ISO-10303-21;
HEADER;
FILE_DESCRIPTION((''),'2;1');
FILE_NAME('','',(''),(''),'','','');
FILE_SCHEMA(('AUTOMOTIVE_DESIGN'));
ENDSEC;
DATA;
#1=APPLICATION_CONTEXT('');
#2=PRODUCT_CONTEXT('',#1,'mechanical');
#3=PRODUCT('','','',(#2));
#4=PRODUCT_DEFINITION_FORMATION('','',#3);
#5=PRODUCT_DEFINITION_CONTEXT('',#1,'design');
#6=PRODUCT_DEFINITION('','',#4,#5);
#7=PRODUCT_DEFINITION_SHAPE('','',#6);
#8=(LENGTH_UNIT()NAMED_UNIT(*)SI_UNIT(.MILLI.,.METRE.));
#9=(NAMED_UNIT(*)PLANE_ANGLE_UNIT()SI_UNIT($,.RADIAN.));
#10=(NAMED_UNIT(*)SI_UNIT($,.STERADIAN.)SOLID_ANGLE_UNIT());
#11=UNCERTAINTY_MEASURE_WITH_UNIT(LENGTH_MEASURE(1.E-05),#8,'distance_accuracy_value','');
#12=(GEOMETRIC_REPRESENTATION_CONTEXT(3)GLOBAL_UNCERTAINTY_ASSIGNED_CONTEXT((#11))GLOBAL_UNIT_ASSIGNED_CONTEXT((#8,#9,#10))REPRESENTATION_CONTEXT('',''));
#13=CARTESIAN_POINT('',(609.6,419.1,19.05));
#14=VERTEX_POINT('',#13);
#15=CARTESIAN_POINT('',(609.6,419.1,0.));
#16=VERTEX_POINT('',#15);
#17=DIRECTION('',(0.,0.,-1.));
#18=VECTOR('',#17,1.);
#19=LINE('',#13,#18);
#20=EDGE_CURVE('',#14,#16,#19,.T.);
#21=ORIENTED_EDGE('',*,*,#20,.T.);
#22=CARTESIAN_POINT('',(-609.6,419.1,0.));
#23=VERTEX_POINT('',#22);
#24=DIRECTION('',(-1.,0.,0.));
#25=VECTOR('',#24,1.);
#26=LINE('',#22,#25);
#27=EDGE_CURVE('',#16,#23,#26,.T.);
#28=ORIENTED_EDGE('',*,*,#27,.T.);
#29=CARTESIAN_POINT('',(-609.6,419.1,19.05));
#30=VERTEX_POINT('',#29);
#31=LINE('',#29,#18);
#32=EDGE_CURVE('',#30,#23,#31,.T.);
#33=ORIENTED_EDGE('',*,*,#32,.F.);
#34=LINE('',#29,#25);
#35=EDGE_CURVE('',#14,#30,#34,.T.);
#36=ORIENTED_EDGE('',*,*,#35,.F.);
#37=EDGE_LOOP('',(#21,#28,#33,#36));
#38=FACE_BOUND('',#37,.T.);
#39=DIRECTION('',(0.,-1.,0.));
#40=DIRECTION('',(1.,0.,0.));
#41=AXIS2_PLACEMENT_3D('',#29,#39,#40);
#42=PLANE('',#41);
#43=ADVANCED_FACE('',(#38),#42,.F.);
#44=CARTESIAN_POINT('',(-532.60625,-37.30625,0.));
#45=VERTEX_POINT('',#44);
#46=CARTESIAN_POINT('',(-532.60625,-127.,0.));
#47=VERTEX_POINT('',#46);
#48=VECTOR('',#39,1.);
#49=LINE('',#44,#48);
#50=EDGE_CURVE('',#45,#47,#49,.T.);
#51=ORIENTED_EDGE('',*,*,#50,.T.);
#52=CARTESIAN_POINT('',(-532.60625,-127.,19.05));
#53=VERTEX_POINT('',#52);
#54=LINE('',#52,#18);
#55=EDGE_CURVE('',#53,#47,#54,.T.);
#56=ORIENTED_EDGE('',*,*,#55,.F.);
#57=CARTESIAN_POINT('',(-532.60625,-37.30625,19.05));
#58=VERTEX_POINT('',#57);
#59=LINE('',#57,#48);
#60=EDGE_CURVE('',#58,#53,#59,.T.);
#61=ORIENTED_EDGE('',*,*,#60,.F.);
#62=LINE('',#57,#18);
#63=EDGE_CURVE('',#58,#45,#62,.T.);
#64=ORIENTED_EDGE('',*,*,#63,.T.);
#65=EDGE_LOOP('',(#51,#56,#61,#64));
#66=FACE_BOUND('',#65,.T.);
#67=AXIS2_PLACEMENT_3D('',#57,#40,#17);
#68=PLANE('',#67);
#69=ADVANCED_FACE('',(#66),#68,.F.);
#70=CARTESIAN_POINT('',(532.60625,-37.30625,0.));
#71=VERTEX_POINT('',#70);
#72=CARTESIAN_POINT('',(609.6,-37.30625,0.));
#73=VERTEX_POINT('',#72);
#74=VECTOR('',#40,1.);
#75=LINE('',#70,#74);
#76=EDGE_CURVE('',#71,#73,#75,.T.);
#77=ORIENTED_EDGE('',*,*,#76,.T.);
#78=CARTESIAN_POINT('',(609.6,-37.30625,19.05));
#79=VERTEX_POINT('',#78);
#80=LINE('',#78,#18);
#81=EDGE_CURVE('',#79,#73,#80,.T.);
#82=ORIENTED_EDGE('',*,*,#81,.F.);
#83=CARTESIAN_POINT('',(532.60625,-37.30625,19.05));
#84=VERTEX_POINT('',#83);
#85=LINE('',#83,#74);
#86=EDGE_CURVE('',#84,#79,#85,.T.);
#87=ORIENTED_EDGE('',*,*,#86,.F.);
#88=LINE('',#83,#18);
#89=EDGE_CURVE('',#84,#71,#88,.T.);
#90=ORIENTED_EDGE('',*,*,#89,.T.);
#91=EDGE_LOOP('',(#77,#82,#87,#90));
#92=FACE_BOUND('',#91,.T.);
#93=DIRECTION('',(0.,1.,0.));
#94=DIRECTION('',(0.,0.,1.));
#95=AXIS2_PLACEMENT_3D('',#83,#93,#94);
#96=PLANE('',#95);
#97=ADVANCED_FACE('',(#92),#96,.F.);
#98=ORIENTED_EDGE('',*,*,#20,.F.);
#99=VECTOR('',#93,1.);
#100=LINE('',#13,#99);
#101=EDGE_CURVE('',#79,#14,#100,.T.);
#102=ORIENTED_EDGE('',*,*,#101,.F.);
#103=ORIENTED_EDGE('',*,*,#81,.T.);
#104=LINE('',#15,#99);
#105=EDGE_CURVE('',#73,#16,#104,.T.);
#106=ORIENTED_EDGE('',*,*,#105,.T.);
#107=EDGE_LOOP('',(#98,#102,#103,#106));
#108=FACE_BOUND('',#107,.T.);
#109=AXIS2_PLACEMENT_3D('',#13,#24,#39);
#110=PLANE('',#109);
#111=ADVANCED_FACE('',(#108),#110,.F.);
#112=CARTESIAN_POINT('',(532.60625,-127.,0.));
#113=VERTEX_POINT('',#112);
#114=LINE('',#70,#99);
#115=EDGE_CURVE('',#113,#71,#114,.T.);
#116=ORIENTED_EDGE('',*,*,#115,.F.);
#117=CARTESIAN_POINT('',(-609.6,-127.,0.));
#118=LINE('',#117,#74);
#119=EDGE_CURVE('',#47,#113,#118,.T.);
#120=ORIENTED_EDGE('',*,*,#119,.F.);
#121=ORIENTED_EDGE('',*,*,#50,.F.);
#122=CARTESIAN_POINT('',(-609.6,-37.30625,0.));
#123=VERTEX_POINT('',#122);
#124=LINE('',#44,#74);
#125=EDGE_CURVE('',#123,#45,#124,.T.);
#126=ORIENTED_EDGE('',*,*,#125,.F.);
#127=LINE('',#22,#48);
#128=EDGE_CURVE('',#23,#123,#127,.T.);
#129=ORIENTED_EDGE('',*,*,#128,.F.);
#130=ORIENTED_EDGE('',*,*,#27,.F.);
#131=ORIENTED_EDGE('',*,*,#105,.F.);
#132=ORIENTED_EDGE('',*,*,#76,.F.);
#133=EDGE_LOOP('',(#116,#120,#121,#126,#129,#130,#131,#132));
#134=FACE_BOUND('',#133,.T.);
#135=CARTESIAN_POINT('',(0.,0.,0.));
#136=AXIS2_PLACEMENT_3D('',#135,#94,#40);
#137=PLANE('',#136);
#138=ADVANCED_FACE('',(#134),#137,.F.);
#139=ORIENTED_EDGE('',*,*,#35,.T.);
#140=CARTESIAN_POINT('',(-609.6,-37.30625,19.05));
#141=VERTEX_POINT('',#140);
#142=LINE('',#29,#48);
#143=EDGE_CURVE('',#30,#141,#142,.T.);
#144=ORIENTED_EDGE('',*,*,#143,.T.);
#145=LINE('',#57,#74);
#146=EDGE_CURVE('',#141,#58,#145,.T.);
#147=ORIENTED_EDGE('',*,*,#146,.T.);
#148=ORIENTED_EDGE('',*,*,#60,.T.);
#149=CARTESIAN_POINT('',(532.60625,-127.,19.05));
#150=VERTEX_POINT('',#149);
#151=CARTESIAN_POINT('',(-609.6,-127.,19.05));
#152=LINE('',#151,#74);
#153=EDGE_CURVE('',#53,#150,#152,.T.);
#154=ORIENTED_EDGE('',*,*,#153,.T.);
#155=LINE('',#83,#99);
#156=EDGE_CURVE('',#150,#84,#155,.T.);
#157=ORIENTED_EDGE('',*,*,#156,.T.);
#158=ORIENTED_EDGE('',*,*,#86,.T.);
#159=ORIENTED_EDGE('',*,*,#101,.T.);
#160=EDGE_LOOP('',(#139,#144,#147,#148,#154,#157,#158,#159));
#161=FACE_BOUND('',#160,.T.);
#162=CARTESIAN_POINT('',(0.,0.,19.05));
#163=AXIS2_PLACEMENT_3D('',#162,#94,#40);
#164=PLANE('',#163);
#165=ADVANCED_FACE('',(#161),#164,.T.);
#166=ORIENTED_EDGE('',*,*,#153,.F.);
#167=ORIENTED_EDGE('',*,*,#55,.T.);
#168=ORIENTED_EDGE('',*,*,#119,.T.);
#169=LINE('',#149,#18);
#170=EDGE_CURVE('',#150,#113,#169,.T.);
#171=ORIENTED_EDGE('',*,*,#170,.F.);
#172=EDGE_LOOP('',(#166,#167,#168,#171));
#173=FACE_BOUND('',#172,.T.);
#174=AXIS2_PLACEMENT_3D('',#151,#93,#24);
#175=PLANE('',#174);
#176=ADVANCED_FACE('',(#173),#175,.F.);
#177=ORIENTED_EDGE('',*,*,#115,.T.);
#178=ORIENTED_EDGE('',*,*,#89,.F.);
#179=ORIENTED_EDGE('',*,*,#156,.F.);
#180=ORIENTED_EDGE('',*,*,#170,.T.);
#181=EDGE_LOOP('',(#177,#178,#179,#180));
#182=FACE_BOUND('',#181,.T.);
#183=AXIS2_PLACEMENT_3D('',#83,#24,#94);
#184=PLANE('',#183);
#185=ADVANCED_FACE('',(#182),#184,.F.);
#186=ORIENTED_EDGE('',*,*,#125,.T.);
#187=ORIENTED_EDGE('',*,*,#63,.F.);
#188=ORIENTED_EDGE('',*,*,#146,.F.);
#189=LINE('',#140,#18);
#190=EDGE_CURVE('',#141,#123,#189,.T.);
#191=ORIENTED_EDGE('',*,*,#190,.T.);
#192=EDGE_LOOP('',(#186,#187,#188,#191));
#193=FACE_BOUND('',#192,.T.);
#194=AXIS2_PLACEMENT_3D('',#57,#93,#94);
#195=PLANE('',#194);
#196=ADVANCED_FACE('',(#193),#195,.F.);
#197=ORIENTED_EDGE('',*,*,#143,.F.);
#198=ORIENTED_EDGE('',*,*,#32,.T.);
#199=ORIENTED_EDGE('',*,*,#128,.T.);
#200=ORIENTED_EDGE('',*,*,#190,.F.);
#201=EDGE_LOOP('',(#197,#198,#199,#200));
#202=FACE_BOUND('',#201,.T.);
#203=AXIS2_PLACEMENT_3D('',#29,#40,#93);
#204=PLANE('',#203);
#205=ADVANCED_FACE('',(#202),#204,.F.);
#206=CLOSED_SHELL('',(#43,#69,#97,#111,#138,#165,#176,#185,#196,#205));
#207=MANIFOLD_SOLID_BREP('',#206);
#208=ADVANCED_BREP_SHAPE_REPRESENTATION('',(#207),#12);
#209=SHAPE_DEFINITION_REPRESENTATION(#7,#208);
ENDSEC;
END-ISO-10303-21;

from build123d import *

# Parameters (mm, degrees)
SKETCH1_W           = 1219.2
SKETCH1_H           = 546.1
BOSS_EXTRUDE1_DEPTH = 19.05
SKETCH2_W           = 76.99375
SKETCH2_H           = 89.69375
CUT_EXTRUDE1_DEPTH  = 741.013427243


with BuildPart() as part:
    # Sketch1 → Boss-Extrude1 (new body)
    with BuildSketch(Plane.XY):
        with Locations((0, 146.05)):
            Rectangle(SKETCH1_W, SKETCH1_H)
    extrude(amount=BOSS_EXTRUDE1_DEPTH)

    # Sketch2 → Cut-Extrude1 (cut, through all)
    with BuildSketch(Plane(origin=(0, 0, 0), x_dir=(-1, 0, 0), z_dir=(0, 0, -1))):
        with Locations((-571.103125, -82.153125)):
            Rectangle(SKETCH2_W, SKETCH2_H)
        with Locations((571.103125, -82.153125)):
            Rectangle(SKETCH2_W, SKETCH2_H)
    extrude(amount=-CUT_EXTRUDE1_DEPTH, mode=Mode.SUBTRACT)


solid = part.part
